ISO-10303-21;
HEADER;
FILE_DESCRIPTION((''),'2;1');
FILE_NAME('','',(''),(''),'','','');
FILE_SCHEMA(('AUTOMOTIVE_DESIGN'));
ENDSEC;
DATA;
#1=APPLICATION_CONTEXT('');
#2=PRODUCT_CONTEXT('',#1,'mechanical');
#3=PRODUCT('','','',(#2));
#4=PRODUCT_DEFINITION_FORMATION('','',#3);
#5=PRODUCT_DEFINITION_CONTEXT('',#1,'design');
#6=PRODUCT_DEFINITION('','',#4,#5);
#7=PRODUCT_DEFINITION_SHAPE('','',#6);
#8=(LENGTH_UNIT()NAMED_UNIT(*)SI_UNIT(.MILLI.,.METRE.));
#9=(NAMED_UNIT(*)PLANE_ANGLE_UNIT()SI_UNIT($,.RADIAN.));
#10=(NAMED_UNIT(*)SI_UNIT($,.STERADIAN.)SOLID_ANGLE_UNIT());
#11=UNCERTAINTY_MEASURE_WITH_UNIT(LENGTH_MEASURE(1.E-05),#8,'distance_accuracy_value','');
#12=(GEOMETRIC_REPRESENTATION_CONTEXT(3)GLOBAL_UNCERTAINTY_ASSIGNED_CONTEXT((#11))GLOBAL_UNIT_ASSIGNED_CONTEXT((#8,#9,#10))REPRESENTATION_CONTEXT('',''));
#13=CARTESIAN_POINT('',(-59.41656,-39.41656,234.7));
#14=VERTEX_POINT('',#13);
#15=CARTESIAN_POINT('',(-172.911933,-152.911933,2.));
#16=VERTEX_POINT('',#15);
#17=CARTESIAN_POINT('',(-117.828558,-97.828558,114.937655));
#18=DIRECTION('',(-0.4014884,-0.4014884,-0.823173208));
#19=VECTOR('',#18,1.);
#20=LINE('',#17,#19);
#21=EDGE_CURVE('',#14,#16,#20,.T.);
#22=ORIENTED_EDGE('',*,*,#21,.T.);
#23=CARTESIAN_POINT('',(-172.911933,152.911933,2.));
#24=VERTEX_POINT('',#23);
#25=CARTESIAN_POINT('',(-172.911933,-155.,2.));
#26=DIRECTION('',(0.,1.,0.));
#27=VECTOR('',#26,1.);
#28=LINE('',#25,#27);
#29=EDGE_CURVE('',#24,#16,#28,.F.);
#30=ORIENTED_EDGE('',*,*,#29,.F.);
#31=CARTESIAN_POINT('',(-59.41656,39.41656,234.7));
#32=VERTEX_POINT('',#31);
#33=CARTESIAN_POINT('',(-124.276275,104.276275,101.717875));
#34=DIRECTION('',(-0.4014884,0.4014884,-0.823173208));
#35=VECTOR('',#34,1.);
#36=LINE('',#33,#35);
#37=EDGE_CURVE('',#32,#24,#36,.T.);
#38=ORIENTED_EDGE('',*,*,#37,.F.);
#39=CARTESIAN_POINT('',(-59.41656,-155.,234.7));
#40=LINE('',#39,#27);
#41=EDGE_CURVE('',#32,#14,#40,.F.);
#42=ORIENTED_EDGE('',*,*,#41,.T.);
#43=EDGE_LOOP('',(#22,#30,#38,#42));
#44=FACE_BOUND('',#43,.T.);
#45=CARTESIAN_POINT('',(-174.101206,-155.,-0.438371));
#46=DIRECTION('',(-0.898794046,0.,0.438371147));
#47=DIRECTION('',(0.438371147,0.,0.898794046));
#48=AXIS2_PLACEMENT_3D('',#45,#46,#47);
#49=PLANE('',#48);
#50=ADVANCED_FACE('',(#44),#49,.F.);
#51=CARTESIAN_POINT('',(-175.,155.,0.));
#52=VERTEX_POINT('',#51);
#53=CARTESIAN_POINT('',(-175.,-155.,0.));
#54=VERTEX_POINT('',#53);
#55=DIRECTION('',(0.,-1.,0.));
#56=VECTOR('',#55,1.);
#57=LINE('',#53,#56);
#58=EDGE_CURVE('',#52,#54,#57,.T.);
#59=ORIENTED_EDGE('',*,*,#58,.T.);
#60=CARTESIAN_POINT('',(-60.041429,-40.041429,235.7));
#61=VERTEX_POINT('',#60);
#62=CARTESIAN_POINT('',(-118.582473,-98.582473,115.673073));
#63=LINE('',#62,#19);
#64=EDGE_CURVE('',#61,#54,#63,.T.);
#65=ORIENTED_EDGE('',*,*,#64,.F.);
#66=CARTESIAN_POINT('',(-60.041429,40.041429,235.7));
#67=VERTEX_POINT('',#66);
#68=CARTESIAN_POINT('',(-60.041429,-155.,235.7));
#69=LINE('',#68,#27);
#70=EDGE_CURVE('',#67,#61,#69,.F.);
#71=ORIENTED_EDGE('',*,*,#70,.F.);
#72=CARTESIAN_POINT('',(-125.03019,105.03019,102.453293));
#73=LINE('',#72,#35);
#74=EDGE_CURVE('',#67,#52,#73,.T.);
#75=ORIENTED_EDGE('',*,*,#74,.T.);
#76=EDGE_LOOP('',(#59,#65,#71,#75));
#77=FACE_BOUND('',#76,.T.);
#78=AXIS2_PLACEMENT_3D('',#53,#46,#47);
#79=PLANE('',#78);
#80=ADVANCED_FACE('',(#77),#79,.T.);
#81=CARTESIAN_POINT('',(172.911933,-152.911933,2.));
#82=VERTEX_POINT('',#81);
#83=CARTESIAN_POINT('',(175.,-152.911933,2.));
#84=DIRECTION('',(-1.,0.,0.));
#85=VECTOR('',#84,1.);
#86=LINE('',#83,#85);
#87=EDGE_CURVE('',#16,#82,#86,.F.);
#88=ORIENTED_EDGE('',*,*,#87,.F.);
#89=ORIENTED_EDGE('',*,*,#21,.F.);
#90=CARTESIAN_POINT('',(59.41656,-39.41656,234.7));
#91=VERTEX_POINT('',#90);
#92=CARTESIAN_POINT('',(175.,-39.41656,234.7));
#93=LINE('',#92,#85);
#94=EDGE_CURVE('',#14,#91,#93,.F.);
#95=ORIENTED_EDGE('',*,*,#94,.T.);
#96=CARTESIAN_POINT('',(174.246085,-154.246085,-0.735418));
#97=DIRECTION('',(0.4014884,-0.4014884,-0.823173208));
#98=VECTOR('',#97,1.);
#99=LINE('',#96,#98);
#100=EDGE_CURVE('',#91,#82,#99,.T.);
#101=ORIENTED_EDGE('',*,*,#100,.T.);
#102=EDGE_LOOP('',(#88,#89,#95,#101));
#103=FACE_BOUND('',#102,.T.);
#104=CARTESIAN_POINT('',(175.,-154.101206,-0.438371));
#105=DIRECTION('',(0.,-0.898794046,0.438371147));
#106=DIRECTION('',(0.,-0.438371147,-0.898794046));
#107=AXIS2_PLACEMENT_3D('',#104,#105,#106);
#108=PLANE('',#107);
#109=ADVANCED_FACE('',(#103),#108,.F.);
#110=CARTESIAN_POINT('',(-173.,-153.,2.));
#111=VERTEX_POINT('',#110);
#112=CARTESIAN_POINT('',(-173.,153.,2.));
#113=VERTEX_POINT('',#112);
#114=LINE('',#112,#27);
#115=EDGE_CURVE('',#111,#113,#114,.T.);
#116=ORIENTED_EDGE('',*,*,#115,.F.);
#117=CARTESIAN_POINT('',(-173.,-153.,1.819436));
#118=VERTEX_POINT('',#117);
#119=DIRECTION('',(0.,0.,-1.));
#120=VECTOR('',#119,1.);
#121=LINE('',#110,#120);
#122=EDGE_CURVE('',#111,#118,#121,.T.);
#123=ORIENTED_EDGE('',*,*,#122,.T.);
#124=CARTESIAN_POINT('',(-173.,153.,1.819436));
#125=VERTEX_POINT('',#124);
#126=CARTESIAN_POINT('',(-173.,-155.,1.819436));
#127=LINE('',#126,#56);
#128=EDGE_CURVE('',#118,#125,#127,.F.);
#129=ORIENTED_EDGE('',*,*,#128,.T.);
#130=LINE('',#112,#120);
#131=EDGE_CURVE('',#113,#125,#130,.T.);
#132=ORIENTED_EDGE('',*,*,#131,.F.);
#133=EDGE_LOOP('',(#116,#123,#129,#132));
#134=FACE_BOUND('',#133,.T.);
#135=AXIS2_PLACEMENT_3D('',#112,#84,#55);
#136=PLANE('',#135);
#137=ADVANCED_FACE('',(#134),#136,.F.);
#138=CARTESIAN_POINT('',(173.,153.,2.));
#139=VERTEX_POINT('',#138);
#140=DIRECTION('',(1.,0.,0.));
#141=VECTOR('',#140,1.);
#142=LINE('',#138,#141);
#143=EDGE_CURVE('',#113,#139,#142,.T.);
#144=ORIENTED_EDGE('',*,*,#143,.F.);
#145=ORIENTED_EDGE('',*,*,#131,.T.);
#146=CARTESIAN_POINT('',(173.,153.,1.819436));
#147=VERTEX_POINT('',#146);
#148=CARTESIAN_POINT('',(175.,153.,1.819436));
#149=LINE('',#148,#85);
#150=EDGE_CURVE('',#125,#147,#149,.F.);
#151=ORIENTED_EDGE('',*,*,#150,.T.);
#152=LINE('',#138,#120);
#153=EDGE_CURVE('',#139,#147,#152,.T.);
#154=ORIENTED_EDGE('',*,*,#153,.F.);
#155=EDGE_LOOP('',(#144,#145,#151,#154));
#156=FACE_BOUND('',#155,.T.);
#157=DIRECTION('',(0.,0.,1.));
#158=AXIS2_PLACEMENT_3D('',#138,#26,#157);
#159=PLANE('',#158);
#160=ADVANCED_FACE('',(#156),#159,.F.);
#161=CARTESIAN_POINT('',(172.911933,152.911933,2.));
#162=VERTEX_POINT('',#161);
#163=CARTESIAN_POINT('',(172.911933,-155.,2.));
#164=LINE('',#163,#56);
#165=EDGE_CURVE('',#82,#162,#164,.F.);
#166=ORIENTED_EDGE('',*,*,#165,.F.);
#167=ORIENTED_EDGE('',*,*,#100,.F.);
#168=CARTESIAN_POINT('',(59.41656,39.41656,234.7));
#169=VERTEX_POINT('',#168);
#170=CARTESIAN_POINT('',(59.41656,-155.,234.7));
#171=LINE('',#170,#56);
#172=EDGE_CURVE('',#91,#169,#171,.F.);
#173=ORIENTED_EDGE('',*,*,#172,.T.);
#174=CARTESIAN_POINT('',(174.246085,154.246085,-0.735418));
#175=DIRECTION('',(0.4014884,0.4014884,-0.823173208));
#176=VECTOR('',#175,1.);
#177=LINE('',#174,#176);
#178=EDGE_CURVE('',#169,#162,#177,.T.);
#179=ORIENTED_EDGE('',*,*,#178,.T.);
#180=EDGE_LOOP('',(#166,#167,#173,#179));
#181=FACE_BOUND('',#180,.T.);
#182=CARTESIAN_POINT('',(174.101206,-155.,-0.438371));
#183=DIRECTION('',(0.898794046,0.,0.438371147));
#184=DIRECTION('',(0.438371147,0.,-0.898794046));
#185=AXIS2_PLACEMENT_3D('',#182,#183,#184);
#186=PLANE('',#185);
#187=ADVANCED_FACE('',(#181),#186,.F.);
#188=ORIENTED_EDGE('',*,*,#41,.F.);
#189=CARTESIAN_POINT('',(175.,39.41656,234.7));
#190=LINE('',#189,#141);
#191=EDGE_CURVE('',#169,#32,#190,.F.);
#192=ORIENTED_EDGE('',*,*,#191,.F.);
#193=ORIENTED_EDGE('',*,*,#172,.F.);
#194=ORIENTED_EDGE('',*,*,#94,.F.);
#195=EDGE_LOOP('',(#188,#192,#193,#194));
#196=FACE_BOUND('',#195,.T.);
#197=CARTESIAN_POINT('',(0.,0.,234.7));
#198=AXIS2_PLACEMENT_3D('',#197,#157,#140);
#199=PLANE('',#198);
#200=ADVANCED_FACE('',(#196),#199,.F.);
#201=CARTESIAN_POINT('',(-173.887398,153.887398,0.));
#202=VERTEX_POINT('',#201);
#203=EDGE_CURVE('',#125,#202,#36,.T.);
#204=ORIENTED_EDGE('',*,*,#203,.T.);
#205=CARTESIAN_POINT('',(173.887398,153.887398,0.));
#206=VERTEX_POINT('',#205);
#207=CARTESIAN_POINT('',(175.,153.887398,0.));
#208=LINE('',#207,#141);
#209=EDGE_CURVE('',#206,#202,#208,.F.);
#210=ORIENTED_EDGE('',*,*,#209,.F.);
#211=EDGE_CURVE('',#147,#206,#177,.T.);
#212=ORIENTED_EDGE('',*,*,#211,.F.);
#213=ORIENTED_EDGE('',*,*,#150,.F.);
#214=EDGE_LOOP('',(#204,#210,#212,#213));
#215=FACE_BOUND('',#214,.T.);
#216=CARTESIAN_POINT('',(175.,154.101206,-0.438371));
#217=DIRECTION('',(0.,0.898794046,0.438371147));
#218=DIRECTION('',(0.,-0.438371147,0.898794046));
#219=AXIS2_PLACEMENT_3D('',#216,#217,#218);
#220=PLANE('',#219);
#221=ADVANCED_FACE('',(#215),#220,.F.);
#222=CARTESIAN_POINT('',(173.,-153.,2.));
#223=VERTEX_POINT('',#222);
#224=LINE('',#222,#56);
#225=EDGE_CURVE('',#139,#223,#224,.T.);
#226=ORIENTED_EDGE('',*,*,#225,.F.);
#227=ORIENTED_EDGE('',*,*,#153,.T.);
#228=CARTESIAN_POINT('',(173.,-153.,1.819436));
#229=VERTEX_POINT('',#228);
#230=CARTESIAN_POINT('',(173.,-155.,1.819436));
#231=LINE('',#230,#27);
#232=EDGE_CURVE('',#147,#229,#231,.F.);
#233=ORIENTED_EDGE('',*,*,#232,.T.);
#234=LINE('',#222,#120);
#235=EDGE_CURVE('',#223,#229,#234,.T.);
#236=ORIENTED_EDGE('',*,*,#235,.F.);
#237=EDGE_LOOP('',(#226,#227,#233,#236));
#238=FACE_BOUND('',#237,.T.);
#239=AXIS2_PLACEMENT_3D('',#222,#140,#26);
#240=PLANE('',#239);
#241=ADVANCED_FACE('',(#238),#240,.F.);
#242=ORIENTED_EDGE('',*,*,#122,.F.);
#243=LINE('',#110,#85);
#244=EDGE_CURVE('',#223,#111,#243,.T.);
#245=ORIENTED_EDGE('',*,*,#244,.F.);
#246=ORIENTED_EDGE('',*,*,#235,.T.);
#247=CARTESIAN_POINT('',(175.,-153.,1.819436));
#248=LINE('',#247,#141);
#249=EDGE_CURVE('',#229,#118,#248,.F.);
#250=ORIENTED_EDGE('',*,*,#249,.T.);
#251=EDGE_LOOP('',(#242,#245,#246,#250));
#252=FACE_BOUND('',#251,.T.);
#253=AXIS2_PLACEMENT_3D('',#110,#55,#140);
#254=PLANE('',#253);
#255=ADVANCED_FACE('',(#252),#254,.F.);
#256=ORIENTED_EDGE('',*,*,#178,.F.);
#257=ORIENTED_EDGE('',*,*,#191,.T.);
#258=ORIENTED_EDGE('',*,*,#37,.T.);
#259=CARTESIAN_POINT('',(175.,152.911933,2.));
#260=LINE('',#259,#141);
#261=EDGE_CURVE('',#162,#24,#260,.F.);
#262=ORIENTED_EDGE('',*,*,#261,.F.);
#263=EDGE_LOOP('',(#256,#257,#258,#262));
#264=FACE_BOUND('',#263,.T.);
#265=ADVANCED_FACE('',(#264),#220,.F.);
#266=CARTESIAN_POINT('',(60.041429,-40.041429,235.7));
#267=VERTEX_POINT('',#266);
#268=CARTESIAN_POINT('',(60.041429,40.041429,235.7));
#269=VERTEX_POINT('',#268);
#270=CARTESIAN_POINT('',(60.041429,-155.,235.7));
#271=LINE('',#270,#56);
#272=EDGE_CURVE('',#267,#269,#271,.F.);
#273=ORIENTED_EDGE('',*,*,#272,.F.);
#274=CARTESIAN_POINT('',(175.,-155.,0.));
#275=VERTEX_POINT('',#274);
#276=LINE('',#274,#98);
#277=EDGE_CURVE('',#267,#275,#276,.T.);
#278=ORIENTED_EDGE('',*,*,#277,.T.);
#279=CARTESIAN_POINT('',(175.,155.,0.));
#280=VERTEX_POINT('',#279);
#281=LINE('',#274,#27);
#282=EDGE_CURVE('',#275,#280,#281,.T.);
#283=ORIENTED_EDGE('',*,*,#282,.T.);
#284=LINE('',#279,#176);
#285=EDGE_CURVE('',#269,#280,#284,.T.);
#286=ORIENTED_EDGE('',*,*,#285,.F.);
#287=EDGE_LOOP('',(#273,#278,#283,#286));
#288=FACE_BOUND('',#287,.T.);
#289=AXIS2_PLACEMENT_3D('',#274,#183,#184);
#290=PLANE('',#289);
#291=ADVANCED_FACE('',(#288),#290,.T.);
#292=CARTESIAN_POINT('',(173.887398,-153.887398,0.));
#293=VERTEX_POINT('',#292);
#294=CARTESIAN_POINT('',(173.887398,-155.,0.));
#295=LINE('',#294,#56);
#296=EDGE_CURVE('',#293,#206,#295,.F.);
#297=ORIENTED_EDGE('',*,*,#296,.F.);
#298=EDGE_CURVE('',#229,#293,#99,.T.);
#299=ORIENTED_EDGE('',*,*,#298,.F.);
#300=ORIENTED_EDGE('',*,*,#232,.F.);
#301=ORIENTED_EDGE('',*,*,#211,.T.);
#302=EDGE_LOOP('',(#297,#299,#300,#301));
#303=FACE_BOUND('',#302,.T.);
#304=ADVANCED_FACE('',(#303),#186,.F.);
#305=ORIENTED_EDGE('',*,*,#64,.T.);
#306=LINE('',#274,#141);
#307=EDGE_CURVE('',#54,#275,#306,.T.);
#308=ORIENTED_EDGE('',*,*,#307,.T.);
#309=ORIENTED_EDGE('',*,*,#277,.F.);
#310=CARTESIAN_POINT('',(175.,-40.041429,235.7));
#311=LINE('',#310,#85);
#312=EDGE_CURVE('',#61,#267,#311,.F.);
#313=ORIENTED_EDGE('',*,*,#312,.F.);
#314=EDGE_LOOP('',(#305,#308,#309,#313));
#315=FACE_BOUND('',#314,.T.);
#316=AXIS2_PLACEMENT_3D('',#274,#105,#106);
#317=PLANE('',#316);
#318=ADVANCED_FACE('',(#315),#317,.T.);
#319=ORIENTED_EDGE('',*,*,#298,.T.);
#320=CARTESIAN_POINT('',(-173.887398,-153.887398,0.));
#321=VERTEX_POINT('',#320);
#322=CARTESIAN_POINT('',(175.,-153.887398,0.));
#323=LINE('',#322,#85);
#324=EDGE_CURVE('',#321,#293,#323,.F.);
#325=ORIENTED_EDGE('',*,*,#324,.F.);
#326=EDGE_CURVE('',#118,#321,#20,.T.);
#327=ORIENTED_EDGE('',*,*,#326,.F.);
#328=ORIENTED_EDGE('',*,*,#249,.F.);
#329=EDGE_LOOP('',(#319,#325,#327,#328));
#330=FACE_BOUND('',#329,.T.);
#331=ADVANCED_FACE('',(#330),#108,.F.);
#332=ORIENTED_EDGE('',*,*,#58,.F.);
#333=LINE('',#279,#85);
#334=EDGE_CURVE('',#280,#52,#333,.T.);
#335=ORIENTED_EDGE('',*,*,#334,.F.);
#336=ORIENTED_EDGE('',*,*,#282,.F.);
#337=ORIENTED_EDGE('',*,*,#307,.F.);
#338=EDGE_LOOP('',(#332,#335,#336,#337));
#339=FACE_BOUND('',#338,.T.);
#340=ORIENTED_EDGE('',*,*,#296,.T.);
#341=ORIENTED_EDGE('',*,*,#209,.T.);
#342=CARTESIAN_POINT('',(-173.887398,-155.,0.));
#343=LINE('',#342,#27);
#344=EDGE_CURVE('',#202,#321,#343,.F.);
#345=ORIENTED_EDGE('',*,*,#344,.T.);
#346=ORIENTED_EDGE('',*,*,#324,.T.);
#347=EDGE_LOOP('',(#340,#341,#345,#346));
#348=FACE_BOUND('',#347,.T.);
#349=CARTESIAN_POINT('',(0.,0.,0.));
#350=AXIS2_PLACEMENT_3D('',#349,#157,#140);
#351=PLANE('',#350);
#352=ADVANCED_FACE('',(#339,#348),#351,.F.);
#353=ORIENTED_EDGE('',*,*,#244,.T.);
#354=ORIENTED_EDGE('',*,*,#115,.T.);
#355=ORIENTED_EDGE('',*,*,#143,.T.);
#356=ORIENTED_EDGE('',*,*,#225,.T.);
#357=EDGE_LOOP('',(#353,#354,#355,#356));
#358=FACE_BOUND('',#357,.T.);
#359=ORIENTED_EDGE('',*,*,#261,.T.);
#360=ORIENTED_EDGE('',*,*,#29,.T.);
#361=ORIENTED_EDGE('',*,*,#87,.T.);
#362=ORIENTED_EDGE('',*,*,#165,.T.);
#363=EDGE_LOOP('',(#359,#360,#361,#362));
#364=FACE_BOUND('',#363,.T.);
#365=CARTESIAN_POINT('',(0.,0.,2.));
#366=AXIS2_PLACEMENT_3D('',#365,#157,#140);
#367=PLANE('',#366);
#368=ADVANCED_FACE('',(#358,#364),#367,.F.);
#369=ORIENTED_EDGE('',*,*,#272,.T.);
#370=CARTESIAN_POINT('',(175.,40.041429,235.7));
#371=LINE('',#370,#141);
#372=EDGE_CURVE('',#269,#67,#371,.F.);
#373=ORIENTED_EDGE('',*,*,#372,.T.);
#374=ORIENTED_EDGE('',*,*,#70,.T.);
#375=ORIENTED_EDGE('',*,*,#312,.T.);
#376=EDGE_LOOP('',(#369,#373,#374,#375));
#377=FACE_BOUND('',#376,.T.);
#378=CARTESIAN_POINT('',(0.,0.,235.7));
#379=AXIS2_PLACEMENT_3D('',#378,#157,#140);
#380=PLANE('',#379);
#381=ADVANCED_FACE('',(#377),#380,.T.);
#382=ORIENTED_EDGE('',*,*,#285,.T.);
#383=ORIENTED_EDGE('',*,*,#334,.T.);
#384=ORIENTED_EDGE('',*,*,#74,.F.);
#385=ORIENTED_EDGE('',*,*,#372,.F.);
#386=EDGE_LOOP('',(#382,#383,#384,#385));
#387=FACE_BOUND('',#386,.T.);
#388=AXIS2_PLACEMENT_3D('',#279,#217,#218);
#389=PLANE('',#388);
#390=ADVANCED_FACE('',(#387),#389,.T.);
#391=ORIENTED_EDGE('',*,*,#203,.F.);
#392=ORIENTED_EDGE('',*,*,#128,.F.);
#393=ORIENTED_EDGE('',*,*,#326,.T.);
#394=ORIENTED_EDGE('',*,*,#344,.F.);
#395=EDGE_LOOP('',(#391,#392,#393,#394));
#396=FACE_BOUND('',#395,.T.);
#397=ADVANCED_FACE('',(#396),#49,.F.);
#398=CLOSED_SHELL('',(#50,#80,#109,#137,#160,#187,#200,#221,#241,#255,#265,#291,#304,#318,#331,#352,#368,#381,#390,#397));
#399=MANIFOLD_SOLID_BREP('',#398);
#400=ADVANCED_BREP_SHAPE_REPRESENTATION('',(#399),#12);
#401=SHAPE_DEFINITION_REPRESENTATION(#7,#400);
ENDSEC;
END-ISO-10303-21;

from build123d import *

# Parameters (mm, degrees)
SKETCH1_W           = 350
SKETCH1_H           = 310
BOSS_EXTRUDE1_DEPTH = 235.7
BOSS_EXTRUDE1_TAPER = 26
SHELL1_T            = -1
SKETCH3_W           = 346
SKETCH3_H           = 306
CUT_EXTRUDE1_DEPTH  = 2


with BuildPart() as part:
    # Sketch1 → Boss-Extrude1 (new body)
    with BuildSketch(Plane.XY):
        Rectangle(SKETCH1_W, SKETCH1_H)
    extrude(amount=BOSS_EXTRUDE1_DEPTH, taper=BOSS_EXTRUDE1_TAPER)

    # Shell1
    shell1_openings = [part.faces().sort_by_distance(p)[0] for p in [
        (0, 0, 0),
    ]]
    offset(amount=SHELL1_T, openings=shell1_openings, kind=Kind.INTERSECTION)

    # Sketch3 → Cut-Extrude1 (cut)
    with BuildSketch(Plane(origin=(0, 0, 0), x_dir=(-1, 0, 0), z_dir=(0, 0, -1))):
        Rectangle(SKETCH3_W, SKETCH3_H)
    extrude(amount=-CUT_EXTRUDE1_DEPTH, mode=Mode.SUBTRACT)


solid = part.part
